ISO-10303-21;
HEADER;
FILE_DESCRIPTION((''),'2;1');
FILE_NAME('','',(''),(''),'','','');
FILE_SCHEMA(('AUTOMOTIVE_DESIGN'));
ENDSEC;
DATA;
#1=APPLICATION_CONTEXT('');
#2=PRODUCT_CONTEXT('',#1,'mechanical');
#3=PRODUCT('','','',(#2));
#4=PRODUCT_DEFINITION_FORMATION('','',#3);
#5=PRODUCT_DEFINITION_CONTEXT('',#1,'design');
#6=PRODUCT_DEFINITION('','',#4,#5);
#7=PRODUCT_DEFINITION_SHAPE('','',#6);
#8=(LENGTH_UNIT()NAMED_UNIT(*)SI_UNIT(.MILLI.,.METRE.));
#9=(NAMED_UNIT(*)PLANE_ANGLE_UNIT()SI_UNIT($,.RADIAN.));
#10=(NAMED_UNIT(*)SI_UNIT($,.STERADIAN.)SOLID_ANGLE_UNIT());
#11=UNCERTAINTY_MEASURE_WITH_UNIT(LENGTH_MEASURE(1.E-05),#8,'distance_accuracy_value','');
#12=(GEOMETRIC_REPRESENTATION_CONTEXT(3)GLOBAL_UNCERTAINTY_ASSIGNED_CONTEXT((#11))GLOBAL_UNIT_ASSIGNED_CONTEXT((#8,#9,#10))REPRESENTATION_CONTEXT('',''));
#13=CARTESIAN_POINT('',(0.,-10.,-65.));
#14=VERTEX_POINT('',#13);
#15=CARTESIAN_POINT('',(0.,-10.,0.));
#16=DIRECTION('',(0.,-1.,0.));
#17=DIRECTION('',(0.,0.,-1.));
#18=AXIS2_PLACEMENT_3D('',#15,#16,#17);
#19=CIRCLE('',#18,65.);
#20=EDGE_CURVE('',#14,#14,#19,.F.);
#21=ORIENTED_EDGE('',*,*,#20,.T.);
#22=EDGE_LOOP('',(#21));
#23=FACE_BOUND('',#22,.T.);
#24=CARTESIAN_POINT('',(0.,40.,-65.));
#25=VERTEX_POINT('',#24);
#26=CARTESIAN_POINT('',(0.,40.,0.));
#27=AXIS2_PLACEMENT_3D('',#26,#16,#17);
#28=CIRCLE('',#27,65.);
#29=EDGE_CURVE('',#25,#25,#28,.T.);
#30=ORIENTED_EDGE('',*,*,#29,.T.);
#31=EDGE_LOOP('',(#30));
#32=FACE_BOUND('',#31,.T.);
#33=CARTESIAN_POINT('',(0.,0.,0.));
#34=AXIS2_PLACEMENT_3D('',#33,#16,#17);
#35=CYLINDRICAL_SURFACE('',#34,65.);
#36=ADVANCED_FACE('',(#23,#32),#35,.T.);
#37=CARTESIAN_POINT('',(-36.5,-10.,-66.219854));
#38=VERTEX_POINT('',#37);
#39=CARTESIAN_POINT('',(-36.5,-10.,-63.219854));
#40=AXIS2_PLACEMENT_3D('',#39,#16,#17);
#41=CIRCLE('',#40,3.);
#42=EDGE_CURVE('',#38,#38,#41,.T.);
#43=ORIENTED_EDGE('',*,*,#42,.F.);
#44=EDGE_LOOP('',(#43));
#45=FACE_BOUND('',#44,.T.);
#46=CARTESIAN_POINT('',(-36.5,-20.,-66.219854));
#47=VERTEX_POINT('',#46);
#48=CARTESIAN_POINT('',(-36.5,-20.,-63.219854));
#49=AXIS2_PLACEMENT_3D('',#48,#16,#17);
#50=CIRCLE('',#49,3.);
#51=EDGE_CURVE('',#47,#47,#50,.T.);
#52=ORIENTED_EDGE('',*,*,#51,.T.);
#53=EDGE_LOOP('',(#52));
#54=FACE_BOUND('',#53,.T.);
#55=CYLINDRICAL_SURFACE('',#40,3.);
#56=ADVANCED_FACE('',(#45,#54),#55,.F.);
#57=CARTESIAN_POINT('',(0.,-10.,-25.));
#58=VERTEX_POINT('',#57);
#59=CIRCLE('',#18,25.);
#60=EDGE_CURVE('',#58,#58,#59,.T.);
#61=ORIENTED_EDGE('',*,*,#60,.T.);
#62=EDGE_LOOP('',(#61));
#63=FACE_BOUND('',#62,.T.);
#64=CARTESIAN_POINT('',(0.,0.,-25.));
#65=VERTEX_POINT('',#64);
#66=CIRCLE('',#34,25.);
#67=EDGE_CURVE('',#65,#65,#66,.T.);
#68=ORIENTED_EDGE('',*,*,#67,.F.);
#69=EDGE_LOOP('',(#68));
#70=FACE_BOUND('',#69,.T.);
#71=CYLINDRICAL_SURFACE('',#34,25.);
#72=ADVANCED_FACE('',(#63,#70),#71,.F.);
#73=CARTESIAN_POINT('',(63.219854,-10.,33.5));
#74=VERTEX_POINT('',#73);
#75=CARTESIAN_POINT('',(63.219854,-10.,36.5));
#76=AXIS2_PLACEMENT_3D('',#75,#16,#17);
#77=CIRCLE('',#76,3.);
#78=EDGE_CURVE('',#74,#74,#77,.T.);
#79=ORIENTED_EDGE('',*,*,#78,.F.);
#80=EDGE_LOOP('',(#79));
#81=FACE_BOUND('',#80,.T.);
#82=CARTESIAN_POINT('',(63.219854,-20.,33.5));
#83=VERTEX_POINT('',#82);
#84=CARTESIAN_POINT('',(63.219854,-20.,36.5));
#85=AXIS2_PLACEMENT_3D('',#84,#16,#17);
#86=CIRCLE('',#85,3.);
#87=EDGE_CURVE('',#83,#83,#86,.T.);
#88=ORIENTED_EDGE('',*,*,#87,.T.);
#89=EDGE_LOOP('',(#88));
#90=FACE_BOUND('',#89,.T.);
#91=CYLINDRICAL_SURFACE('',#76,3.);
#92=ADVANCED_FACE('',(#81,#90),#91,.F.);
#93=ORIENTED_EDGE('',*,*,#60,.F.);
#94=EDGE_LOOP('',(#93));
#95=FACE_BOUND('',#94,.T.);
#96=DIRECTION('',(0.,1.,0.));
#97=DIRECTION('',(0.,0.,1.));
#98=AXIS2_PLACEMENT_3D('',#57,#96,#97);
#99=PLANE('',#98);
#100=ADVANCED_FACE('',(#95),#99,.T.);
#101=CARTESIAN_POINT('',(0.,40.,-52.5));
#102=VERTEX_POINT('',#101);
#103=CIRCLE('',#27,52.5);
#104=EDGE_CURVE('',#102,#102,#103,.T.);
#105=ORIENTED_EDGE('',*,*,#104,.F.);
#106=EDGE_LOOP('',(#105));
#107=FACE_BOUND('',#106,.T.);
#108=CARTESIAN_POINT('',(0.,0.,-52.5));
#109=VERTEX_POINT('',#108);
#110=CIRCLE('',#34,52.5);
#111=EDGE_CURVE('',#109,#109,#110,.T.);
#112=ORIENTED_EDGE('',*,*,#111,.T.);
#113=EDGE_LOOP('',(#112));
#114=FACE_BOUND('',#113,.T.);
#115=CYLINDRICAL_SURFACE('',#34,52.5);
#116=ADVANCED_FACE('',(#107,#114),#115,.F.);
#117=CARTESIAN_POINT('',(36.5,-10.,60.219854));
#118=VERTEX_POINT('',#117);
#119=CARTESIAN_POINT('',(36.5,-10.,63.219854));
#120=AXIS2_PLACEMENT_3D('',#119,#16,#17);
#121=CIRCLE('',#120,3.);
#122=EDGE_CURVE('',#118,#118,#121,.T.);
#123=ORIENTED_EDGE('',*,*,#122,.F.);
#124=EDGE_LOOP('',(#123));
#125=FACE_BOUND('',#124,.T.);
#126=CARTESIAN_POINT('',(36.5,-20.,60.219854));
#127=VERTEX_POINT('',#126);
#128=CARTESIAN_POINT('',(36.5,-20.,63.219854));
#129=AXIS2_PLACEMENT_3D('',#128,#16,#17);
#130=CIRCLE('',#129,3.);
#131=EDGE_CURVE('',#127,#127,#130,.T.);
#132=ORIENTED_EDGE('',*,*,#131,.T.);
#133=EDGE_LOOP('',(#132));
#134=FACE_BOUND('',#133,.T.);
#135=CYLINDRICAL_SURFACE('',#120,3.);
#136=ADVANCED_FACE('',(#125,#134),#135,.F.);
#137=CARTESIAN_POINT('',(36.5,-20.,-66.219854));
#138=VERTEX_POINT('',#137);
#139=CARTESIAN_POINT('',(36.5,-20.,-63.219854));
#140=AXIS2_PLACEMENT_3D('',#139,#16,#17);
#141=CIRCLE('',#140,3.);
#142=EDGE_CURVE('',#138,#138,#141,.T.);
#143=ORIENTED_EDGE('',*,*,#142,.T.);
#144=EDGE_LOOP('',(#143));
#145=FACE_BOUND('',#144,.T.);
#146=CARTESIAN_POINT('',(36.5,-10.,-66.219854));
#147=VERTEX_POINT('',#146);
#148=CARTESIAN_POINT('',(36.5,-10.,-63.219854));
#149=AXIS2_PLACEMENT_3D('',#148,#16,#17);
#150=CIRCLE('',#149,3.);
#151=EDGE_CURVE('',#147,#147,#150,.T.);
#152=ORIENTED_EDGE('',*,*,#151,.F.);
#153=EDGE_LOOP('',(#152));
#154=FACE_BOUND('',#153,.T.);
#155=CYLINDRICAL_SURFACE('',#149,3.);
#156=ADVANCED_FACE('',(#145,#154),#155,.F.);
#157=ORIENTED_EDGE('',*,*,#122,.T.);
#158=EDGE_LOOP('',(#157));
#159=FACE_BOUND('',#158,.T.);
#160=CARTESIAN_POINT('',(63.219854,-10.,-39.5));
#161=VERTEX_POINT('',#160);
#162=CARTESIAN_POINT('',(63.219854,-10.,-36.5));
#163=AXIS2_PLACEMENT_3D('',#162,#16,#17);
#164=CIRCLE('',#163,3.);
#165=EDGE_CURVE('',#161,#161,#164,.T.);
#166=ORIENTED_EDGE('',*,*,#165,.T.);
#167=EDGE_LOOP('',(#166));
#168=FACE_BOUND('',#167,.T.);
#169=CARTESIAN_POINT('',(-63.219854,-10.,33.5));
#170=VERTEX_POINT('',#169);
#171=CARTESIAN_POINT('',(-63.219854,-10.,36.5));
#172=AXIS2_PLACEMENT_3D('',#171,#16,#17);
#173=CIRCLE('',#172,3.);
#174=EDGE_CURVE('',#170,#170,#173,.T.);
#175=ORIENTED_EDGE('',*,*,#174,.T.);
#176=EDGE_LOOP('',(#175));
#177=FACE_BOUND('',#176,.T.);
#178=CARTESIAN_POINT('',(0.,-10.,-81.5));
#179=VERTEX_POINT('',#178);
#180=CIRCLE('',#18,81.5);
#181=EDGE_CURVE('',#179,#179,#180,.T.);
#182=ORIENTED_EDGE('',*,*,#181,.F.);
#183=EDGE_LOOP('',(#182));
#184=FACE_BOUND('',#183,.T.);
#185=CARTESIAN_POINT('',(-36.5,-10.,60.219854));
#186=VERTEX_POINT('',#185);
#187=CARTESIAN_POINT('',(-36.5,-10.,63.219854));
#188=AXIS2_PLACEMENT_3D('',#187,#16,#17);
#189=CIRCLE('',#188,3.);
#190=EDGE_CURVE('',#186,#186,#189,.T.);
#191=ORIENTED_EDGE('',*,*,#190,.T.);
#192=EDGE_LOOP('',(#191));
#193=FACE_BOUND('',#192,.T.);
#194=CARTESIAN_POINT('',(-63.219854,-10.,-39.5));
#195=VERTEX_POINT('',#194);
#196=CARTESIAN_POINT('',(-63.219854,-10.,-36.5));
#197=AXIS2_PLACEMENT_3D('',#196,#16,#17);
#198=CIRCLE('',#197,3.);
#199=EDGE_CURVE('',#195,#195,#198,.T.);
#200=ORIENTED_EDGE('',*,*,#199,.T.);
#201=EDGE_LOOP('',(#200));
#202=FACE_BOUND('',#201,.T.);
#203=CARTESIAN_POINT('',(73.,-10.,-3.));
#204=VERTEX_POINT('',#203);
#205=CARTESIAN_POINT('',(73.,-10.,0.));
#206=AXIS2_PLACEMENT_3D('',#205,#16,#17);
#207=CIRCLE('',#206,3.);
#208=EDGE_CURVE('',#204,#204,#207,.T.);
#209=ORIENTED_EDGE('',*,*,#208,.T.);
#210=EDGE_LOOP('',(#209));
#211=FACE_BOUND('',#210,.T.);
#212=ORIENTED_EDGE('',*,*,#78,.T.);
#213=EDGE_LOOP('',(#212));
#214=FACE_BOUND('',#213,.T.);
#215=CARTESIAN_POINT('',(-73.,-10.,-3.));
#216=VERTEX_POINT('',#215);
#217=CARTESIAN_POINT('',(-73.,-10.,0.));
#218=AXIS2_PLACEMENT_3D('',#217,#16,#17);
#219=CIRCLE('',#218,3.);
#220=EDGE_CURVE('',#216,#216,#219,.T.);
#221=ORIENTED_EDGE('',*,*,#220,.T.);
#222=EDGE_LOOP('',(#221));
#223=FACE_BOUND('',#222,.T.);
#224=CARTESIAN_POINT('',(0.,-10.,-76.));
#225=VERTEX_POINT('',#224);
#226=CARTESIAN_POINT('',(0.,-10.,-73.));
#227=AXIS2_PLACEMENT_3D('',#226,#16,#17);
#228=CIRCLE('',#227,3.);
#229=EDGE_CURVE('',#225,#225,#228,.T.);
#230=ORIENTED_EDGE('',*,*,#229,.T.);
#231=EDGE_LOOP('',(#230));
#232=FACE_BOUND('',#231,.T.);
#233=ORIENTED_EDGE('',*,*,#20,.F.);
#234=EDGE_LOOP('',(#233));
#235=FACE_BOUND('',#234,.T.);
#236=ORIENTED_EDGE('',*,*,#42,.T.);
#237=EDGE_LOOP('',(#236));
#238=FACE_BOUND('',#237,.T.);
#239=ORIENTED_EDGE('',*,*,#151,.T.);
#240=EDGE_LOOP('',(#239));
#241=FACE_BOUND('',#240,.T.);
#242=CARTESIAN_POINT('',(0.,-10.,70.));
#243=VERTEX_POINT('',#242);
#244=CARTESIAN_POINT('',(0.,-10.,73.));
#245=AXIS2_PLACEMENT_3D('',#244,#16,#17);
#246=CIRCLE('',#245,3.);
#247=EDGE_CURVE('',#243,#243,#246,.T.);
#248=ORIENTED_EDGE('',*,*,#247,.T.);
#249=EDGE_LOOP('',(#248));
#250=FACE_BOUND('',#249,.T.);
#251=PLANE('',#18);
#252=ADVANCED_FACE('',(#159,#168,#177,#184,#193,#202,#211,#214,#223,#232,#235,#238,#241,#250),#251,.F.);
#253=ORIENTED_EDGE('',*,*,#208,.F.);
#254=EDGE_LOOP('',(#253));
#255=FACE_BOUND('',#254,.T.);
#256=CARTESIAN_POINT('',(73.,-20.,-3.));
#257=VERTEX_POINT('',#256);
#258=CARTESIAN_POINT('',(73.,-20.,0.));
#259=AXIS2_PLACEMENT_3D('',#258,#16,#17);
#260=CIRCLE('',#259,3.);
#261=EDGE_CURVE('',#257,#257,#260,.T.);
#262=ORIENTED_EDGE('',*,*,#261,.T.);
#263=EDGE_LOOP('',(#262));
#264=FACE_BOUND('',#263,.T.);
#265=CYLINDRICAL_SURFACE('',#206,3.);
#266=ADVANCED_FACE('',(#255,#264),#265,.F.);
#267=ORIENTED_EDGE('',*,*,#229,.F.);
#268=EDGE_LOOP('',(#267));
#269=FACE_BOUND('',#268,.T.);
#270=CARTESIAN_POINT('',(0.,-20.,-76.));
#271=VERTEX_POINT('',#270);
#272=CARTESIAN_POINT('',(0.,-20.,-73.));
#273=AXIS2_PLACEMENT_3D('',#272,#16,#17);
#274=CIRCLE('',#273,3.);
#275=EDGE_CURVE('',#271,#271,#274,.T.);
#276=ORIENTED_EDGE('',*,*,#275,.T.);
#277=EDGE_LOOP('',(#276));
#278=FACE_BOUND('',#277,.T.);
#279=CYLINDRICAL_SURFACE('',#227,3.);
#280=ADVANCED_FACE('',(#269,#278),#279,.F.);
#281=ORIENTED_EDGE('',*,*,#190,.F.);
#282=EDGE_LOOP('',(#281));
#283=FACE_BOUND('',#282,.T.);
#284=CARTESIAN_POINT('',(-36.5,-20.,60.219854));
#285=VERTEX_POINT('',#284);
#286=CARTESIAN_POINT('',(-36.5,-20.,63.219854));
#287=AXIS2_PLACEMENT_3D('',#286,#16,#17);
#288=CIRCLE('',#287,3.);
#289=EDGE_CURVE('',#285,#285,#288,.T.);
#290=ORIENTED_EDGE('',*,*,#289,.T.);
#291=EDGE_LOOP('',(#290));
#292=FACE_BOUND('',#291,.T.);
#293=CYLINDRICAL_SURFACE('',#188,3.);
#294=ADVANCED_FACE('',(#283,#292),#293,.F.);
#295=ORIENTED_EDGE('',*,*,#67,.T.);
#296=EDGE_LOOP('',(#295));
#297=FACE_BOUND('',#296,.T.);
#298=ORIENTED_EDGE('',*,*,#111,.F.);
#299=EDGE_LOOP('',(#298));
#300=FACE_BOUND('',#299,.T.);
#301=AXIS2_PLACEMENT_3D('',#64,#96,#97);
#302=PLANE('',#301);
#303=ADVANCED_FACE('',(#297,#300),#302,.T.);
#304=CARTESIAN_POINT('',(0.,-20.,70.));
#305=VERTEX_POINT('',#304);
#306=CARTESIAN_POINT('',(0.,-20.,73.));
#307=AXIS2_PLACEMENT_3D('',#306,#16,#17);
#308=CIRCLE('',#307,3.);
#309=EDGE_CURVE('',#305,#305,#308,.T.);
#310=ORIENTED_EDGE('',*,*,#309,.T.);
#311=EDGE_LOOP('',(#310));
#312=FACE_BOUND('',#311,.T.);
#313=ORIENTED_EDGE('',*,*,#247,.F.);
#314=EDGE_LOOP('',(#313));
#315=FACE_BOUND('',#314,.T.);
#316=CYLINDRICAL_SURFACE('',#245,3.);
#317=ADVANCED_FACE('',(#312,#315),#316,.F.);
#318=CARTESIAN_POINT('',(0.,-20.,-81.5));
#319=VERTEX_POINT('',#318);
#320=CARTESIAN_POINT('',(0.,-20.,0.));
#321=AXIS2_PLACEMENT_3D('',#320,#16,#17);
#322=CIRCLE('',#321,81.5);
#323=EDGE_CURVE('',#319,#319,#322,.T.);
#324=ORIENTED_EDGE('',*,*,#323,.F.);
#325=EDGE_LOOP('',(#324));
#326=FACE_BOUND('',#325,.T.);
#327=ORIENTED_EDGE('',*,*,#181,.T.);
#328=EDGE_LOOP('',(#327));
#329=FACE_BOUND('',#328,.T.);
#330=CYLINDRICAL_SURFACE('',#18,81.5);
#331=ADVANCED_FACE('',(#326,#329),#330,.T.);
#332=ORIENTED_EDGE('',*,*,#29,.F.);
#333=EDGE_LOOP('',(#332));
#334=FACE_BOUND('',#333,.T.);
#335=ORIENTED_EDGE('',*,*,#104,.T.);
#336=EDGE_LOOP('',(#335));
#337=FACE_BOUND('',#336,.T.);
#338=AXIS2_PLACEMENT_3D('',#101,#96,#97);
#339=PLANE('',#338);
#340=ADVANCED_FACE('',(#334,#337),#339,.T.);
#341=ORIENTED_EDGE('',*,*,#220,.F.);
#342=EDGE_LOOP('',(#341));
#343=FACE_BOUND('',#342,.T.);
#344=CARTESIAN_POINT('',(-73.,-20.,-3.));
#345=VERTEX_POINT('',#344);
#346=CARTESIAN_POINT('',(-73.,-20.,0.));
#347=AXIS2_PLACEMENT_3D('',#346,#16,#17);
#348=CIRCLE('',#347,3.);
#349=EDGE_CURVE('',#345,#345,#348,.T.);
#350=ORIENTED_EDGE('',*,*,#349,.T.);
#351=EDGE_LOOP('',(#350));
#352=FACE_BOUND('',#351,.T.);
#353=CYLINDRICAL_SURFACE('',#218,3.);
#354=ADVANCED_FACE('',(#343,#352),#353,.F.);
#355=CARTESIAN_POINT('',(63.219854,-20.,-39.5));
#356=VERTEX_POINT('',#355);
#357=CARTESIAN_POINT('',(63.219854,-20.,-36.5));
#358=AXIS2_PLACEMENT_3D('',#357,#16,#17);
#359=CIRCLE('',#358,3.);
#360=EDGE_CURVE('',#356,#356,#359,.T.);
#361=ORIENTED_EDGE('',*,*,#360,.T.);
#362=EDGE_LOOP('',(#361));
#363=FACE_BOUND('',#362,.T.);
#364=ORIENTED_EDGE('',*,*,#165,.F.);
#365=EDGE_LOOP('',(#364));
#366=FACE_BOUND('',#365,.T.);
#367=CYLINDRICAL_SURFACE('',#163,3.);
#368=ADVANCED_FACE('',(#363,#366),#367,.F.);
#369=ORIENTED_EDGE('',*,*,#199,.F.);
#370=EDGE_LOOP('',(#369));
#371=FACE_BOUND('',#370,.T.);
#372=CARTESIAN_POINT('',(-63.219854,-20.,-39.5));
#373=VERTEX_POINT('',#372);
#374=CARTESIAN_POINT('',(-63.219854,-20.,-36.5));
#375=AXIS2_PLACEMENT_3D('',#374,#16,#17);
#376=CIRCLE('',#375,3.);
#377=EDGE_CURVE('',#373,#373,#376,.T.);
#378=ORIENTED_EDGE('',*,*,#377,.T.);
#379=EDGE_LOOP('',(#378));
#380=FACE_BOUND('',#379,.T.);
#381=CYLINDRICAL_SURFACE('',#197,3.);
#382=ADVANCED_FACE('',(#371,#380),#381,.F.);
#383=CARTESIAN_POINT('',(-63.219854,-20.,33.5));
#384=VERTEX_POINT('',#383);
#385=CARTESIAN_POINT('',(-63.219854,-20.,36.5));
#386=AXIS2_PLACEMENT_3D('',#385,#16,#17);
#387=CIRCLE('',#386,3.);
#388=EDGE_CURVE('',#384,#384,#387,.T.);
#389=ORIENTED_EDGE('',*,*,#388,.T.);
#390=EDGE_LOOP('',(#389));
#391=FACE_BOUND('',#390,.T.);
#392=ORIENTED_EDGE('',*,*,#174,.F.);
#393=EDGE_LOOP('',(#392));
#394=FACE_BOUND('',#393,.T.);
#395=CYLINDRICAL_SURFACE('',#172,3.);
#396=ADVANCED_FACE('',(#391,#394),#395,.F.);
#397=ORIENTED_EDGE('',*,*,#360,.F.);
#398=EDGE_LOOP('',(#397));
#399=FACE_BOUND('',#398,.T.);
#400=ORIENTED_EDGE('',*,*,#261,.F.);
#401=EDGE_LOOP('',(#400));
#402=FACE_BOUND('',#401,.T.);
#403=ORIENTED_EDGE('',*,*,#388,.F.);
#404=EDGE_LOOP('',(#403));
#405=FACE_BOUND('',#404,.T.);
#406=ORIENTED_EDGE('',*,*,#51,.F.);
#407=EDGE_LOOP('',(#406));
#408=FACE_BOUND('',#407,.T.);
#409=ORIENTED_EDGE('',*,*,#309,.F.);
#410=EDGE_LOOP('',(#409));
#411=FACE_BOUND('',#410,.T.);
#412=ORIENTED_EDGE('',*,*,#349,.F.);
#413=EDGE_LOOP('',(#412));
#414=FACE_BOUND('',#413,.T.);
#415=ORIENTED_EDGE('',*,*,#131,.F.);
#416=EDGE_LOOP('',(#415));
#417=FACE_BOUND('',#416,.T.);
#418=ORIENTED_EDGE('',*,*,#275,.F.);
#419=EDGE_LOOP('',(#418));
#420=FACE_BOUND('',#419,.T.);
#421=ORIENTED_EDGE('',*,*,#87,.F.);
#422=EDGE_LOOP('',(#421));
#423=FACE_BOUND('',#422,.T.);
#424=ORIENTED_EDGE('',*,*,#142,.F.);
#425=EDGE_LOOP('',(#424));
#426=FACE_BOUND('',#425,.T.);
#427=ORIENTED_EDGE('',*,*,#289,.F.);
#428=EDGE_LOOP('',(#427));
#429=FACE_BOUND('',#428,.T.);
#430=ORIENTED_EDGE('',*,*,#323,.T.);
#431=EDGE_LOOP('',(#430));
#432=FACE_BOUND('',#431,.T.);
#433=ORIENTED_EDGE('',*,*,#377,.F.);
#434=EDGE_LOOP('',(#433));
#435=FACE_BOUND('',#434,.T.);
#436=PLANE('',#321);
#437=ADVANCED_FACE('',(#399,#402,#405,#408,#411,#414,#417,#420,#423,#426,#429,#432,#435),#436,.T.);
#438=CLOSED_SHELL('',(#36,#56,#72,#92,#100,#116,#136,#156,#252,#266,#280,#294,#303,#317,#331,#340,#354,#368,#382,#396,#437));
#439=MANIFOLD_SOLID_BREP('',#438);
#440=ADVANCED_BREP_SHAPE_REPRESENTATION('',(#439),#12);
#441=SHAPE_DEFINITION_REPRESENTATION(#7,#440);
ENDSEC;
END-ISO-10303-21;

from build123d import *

# Parameters (mm, degrees)
BOSS_EXTRUDE1_START = -20
SKETCH2_R           = 81.5
SKETCH2_R_2         = 3
BOSS_EXTRUDE1_DEPTH = 10


with BuildPart() as part:
    # Sketch1 → Revolve1 (revolve)
    with BuildSketch(Plane(origin=(0, 0, 0), x_dir=(0, 0, -1), z_dir=(1, 0, 0))):
        Polygon((25, 0), (25, -10), (0, -10), (0, -20), (65, -20), (65, -10), (65, 40), (52.5, 40), (52.5, 0), align=None)
    revolve(axis=Axis((0, 0, 0), (0, 1, 0)))

    # Sketch2 → Boss-Extrude1 (add)
    with BuildSketch(Plane(origin=(0, 0, 0), x_dir=(1, 0, 0), z_dir=(0, 1, 0)).offset(BOSS_EXTRUDE1_START)):
        with Locations(Location((0, 0, 0), (0, 0, 90))):
            Circle(SKETCH2_R)
        with Locations(Location((0, 73, 0), (0, 0, 90))):
            Circle(SKETCH2_R_2, mode=Mode.SUBTRACT)
        with Locations(Location((36.5, 63.219854476, 0), (0, 0, 90))):
            Circle(SKETCH2_R_2, mode=Mode.SUBTRACT)
        with Locations(Location((63.219854476, 36.5, 0), (0, 0, 90))):
            Circle(SKETCH2_R_2, mode=Mode.SUBTRACT)
        with Locations(Location((73, 0, 0), (0, 0, 90))):
            Circle(SKETCH2_R_2, mode=Mode.SUBTRACT)
        with Locations(Location((63.219854476, -36.5, 0), (0, 0, 90))):
            Circle(SKETCH2_R_2, mode=Mode.SUBTRACT)
        with Locations(Location((36.5, -63.219854476, 0), (0, 0, 90))):
            Circle(SKETCH2_R_2, mode=Mode.SUBTRACT)
        with Locations(Location((0, -73, 0), (0, 0, 90))):
            Circle(SKETCH2_R_2, mode=Mode.SUBTRACT)
        with Locations(Location((-36.5, -63.219854476, 0), (0, 0, 90))):
            Circle(SKETCH2_R_2, mode=Mode.SUBTRACT)
        with Locations(Location((-63.219854476, -36.5, 0), (0, 0, 90))):
            Circle(SKETCH2_R_2, mode=Mode.SUBTRACT)
        with Locations(Location((-73, 0, 0), (0, 0, 90))):
            Circle(SKETCH2_R_2, mode=Mode.SUBTRACT)
        with Locations(Location((-63.219854476, 36.5, 0), (0, 0, 90))):
            Circle(SKETCH2_R_2, mode=Mode.SUBTRACT)
        with Locations(Location((-36.5, 63.219854476, 0), (0, 0, 90))):
            Circle(SKETCH2_R_2, mode=Mode.SUBTRACT)
    extrude(amount=BOSS_EXTRUDE1_DEPTH)


solid = part.part
